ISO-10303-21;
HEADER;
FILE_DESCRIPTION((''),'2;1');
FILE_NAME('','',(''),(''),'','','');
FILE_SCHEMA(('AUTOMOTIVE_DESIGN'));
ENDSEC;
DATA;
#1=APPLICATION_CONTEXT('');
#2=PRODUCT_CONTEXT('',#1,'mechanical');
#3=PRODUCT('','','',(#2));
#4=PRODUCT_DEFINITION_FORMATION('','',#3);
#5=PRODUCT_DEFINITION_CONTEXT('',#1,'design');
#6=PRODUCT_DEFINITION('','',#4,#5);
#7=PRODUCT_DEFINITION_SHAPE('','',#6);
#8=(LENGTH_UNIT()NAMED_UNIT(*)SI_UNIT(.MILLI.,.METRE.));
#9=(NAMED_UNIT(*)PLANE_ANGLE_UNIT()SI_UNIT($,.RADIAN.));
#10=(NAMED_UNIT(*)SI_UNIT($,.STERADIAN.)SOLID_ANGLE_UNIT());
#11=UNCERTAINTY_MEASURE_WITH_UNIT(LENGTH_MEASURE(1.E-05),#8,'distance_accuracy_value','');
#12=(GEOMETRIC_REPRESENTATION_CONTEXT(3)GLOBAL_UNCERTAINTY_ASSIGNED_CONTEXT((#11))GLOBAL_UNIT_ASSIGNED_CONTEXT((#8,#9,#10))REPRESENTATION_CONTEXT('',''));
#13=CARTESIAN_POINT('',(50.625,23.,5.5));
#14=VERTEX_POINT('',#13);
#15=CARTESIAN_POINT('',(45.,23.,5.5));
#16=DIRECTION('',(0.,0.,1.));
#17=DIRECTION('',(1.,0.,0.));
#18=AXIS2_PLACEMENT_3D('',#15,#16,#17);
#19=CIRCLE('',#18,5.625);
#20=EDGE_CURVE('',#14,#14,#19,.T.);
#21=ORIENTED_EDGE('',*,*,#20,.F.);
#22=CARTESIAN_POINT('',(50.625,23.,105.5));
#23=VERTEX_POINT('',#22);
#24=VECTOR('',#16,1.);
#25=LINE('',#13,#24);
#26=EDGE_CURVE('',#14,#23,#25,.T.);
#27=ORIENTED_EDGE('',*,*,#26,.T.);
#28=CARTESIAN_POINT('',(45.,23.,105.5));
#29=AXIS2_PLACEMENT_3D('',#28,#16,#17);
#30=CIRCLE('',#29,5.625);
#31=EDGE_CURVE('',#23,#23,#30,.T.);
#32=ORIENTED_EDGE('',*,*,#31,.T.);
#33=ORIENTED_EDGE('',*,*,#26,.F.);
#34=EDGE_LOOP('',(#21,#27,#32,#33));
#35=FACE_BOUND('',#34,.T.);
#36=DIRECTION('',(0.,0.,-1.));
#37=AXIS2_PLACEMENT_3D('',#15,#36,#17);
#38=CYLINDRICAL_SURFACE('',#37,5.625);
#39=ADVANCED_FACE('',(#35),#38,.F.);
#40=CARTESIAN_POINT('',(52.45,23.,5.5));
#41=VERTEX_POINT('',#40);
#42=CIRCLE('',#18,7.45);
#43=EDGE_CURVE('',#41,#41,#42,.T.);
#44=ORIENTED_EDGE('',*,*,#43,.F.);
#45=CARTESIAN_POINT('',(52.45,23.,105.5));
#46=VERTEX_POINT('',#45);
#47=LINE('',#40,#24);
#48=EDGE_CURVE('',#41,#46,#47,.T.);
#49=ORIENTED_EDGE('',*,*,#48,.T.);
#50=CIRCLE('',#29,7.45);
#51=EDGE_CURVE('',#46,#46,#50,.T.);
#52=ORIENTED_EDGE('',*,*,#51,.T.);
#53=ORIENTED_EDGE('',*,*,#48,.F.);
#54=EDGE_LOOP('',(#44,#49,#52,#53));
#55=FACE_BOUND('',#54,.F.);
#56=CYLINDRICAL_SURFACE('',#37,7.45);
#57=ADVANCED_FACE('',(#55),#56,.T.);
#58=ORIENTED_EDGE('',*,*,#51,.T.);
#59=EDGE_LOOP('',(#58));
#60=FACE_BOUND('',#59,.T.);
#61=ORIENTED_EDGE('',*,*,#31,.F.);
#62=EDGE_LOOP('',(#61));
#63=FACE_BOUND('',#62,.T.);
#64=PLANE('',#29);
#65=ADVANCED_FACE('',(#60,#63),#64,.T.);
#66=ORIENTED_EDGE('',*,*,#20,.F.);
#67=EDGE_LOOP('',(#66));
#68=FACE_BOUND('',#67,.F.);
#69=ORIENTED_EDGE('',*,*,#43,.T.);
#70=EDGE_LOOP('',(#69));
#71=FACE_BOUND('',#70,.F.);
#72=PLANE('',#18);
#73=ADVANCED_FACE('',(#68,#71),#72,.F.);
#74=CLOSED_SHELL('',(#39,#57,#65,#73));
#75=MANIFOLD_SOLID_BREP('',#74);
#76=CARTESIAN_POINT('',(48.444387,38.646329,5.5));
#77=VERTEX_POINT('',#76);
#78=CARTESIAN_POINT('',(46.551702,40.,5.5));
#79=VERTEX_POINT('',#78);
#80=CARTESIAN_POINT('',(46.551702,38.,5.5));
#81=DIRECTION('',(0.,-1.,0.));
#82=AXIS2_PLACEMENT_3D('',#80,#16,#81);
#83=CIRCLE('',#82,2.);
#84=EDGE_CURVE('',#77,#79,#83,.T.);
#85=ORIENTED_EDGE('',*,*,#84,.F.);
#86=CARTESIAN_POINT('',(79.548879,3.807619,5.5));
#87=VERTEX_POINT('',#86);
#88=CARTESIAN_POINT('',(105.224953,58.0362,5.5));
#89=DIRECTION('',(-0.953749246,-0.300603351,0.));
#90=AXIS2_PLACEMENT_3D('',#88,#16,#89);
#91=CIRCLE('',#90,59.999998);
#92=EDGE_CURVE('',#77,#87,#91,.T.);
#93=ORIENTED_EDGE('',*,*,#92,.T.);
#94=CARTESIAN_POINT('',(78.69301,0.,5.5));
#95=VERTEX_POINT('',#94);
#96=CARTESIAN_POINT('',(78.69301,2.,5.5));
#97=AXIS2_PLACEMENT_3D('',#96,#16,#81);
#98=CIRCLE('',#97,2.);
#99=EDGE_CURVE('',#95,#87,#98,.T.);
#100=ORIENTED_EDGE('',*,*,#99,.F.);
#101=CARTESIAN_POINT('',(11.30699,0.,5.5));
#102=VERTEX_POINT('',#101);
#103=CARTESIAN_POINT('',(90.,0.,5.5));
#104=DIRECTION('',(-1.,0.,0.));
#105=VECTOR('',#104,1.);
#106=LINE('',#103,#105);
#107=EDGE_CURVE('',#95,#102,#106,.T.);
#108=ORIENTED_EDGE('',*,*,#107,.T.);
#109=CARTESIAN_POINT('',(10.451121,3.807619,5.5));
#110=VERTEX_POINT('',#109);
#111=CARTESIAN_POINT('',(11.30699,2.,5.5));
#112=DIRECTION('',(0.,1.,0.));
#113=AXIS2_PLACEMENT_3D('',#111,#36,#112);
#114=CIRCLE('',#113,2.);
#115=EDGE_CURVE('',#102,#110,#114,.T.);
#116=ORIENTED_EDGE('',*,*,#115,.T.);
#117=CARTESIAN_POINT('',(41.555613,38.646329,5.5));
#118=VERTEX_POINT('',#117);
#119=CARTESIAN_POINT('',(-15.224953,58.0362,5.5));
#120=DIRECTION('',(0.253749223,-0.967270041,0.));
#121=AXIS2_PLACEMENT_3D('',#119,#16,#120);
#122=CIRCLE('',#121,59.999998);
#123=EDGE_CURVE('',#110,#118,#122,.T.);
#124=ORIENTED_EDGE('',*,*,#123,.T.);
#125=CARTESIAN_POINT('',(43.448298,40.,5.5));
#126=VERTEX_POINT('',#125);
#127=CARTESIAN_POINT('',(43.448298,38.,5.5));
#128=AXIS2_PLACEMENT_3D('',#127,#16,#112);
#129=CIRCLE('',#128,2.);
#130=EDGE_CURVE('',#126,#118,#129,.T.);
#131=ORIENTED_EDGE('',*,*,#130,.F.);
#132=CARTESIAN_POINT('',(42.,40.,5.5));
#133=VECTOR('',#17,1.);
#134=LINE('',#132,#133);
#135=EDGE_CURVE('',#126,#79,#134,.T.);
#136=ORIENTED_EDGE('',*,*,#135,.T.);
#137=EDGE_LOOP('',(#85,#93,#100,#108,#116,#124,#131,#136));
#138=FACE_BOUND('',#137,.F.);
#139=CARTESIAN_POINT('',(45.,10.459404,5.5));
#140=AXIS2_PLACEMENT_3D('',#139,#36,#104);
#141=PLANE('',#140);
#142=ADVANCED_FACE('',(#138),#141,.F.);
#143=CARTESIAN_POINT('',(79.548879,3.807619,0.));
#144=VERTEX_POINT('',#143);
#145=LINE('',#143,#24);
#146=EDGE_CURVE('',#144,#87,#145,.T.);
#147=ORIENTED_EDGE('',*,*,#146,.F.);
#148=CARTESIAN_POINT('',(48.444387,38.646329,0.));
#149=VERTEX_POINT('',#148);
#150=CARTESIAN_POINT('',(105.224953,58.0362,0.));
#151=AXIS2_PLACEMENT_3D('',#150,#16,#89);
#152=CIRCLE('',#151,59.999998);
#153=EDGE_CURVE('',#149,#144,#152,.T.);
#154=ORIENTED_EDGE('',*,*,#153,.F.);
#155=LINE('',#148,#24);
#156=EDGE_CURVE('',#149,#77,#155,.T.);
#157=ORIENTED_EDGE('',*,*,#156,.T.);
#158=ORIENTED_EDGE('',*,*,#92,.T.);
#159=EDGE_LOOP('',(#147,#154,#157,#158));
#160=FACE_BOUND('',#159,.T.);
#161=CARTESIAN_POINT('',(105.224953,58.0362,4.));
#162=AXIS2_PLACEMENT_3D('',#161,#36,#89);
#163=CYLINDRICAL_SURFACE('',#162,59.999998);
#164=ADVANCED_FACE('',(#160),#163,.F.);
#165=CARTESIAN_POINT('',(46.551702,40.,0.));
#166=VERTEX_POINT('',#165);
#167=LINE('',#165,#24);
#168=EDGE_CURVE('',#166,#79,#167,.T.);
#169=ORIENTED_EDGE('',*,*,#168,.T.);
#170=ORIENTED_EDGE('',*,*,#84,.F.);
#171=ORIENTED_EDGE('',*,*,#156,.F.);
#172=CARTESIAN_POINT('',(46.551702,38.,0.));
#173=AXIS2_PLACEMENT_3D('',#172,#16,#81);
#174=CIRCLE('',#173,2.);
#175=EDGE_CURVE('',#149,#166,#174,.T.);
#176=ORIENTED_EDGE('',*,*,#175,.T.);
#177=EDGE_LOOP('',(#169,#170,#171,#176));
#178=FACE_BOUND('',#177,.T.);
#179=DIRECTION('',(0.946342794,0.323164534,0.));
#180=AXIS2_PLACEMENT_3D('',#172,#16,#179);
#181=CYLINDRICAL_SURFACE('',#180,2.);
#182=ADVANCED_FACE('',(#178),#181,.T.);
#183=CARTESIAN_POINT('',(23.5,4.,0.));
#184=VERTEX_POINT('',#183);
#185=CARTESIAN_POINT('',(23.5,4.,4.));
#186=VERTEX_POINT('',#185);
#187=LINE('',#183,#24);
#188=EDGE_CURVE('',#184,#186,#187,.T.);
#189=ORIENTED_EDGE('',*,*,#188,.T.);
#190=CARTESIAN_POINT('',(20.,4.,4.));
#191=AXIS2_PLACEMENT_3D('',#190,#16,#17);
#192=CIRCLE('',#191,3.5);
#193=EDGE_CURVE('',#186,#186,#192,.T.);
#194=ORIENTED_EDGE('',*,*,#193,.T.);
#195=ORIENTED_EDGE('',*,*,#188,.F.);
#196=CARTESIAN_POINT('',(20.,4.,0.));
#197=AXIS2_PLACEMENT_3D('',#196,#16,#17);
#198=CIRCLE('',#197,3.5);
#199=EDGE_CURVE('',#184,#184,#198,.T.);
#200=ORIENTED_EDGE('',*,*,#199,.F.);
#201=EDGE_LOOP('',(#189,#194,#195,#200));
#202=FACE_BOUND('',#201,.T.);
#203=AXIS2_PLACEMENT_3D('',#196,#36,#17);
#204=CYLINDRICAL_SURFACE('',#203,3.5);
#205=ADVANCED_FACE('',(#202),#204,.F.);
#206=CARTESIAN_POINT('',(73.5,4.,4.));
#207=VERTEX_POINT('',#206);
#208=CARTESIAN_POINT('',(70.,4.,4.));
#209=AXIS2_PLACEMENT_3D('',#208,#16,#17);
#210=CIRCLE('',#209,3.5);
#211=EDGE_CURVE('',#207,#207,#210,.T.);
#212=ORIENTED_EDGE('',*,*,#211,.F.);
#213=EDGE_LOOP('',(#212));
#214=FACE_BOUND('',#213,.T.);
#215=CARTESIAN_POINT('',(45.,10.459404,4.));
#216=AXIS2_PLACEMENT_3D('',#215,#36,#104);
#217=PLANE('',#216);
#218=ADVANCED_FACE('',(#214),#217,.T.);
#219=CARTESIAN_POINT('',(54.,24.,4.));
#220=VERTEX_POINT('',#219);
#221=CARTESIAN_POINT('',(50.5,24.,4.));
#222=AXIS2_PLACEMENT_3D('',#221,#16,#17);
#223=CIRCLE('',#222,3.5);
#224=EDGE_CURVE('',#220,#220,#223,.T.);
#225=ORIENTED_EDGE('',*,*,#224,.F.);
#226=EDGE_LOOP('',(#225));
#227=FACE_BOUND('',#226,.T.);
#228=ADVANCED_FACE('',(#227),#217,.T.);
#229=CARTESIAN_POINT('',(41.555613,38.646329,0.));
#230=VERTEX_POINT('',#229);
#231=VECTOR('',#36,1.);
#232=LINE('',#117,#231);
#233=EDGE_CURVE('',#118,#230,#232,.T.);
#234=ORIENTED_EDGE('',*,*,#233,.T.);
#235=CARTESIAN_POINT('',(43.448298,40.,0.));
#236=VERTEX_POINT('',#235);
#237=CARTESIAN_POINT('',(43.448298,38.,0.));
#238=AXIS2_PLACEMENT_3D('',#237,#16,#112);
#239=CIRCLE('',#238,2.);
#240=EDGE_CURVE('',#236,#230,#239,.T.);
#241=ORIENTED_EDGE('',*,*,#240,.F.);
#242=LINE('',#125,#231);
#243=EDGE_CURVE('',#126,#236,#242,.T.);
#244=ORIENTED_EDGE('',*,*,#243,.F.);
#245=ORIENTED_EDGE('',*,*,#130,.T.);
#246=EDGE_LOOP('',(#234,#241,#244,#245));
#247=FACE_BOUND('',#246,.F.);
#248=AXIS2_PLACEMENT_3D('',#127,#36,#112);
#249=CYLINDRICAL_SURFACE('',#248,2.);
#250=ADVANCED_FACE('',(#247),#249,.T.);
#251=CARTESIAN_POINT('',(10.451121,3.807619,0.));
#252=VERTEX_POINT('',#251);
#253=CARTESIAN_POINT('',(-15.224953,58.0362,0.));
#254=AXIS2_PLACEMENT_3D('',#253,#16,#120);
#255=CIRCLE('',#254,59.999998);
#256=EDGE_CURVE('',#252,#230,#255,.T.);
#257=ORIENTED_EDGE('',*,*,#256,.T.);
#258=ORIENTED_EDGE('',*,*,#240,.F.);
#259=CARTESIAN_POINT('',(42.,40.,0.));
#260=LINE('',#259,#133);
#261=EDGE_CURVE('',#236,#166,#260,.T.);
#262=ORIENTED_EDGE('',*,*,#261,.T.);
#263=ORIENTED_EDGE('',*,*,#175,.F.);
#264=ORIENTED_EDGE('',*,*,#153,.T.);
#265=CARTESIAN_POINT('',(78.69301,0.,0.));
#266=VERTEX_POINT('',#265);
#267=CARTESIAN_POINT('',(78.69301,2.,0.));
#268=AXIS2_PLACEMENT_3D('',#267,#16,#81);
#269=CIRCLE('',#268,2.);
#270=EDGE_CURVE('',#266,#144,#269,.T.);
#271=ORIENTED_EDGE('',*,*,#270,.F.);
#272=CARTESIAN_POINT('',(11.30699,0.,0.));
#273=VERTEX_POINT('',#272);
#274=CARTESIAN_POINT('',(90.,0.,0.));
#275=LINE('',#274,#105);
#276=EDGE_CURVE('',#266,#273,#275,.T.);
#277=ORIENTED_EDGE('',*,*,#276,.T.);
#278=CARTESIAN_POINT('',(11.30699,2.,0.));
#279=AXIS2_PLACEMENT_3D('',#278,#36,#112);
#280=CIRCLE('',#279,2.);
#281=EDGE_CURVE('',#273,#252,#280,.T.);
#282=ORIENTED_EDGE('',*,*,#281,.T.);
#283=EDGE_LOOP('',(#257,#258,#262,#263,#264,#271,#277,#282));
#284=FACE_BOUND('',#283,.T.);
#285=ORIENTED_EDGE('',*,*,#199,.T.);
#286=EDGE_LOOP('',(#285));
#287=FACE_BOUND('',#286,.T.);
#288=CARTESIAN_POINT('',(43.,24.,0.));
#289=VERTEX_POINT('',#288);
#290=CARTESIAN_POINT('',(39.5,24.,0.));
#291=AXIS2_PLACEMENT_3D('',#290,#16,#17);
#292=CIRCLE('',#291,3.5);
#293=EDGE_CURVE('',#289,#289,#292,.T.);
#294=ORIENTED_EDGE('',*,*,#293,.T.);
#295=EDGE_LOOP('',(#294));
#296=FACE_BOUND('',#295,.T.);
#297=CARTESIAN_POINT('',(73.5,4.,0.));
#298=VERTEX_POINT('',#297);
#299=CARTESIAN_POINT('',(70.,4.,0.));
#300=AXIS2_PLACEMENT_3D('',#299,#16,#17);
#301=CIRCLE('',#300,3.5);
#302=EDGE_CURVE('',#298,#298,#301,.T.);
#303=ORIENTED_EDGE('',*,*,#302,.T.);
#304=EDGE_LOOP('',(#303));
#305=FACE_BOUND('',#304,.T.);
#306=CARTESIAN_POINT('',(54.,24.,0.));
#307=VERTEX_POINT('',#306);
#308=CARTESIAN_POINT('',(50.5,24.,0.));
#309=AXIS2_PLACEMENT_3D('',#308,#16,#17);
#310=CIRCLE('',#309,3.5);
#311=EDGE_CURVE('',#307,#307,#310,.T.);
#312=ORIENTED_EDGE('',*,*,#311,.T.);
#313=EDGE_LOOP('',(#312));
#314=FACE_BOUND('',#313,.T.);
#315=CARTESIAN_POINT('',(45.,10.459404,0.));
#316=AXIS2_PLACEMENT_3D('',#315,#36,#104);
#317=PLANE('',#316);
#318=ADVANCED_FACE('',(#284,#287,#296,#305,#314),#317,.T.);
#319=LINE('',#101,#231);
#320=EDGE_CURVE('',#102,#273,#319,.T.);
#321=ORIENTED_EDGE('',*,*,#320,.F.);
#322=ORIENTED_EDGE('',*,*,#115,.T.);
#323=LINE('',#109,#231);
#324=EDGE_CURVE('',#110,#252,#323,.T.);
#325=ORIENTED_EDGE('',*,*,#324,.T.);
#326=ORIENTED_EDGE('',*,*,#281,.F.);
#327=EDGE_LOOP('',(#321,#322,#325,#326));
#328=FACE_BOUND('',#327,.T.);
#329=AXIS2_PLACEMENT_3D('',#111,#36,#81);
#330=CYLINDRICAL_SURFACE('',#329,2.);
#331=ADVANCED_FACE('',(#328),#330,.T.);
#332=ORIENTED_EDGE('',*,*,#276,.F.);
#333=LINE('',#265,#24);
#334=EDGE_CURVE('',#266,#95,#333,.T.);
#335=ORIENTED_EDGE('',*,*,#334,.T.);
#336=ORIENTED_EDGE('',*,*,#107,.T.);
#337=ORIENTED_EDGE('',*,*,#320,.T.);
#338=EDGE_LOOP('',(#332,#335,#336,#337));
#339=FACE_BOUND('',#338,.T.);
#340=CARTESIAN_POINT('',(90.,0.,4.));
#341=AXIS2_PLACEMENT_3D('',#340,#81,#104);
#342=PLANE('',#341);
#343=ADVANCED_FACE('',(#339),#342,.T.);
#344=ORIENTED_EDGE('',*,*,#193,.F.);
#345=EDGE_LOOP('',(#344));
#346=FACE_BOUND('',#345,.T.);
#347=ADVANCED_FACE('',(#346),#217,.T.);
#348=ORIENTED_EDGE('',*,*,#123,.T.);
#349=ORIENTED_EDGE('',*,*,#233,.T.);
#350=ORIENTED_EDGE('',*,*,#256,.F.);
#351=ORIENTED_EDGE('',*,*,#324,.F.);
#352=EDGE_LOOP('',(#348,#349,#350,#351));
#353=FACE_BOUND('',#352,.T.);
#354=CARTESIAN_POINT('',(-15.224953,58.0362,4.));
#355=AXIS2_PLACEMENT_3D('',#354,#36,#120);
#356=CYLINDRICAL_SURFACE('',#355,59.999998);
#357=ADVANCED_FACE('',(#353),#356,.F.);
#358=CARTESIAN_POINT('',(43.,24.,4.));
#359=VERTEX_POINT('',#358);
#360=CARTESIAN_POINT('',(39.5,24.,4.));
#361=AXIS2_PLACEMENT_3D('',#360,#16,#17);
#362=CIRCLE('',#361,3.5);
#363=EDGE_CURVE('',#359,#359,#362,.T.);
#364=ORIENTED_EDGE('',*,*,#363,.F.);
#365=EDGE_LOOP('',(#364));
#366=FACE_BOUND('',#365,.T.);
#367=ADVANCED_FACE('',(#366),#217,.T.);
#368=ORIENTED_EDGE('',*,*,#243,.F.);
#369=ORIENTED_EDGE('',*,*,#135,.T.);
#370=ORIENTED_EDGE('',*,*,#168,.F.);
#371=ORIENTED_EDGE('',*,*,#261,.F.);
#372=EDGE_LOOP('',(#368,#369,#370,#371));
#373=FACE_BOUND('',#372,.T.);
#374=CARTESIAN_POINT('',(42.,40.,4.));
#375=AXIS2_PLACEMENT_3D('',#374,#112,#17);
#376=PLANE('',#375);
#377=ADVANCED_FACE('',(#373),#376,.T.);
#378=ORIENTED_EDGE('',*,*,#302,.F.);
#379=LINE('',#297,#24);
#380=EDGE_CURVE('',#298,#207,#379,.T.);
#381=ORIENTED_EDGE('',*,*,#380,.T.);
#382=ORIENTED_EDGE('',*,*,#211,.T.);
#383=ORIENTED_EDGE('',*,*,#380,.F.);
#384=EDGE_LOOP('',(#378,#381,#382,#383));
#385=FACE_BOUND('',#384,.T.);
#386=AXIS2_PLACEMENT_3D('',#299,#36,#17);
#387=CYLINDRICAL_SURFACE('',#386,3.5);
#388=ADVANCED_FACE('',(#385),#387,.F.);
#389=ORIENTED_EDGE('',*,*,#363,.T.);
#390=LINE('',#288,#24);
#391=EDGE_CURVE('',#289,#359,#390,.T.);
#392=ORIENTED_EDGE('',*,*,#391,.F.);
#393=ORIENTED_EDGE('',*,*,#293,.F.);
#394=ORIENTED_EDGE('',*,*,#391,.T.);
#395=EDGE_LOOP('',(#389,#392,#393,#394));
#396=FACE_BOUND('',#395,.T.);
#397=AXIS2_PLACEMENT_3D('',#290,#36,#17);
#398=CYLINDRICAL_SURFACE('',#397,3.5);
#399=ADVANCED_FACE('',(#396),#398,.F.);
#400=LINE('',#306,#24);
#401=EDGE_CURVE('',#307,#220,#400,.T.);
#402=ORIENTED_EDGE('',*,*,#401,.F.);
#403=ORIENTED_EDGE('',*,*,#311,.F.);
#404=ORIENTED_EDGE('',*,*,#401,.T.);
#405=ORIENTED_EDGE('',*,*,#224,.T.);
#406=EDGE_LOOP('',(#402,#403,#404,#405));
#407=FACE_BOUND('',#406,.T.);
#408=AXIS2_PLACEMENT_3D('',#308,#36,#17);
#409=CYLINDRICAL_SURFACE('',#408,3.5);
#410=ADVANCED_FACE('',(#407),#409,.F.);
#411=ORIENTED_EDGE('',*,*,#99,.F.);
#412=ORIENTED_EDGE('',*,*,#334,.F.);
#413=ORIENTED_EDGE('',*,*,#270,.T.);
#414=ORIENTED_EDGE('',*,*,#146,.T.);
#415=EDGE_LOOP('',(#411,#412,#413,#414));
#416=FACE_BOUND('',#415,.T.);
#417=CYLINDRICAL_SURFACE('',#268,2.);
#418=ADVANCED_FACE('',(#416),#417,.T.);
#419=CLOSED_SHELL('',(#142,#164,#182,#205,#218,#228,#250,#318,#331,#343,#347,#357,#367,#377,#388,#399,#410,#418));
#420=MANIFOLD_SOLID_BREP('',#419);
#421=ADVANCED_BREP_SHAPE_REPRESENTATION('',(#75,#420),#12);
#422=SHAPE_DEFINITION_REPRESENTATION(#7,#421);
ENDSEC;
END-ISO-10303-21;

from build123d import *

# Parameters (mm, degrees)
SKETCH_R      = 3.5
PAD_DEPTH     = 4
PAD002_DEPTH  = 1.5
FILLET_R      = 2
SKETCH001_R   = 7.45
SKETCH001_R_2 = 5.625
PAD001_DEPTH  = 100


with BuildPart() as body:
    # Sketch → Pad (new body)
    with BuildSketch(Plane.XY):
        with BuildLine():
            Line((90, 0), (0, 0))
            ThreePointArc((0, 0), (26.154356, 14.587926), (42, 40))
            Line((42, 40), (48, 40))
            ThreePointArc((48, 40), (63.845644, 14.587926), (90, 0))
        make_face()
        with Locations((39.5, 24)):
            Circle(SKETCH_R, mode=Mode.SUBTRACT)
        with Locations((50.5, 24)):
            Circle(SKETCH_R, mode=Mode.SUBTRACT)
        with Locations((20, 4)):
            Circle(SKETCH_R, mode=Mode.SUBTRACT)
        with Locations((70, 4)):
            Circle(SKETCH_R, mode=Mode.SUBTRACT)
    extrude(amount=PAD_DEPTH)

    # Sketch002 → Pad002 (join)
    with BuildSketch(Plane.XY.offset(4)):
        with BuildLine():
            Line((90, 0), (0, 0))
            ThreePointArc((0, 0), (26.154356, 14.587926), (42, 40))
            Line((42, 40), (48, 40))
            ThreePointArc((48, 40), (63.845644, 14.587926), (90, 0))
        make_face()
    extrude(amount=PAD002_DEPTH)

    # Fillet
    fillet_edges = [body.edges().sort_by_distance(p)[0] for p in [
        (0, 0, 2),
        (0, 0, 4.75),
        (90, 0, 4.75),
        (90, 0, 2),
        (48, 40, 4.75),
        (48, 40, 2),
        (42, 40, 4.75),
        (42, 40, 2),
    ]]
    fillet(fillet_edges, radius=FILLET_R)


with BuildPart() as body001:
    # Sketch001 → Pad001 (new body)
    with BuildSketch(Plane.XY.offset(5.5)):
        with Locations((45, 23)):
            Circle(SKETCH001_R)
        with Locations((45, 23)):
            Circle(SKETCH001_R_2, mode=Mode.SUBTRACT)
    extrude(amount=PAD001_DEPTH)


solid = Compound([body.part, body001.part])
